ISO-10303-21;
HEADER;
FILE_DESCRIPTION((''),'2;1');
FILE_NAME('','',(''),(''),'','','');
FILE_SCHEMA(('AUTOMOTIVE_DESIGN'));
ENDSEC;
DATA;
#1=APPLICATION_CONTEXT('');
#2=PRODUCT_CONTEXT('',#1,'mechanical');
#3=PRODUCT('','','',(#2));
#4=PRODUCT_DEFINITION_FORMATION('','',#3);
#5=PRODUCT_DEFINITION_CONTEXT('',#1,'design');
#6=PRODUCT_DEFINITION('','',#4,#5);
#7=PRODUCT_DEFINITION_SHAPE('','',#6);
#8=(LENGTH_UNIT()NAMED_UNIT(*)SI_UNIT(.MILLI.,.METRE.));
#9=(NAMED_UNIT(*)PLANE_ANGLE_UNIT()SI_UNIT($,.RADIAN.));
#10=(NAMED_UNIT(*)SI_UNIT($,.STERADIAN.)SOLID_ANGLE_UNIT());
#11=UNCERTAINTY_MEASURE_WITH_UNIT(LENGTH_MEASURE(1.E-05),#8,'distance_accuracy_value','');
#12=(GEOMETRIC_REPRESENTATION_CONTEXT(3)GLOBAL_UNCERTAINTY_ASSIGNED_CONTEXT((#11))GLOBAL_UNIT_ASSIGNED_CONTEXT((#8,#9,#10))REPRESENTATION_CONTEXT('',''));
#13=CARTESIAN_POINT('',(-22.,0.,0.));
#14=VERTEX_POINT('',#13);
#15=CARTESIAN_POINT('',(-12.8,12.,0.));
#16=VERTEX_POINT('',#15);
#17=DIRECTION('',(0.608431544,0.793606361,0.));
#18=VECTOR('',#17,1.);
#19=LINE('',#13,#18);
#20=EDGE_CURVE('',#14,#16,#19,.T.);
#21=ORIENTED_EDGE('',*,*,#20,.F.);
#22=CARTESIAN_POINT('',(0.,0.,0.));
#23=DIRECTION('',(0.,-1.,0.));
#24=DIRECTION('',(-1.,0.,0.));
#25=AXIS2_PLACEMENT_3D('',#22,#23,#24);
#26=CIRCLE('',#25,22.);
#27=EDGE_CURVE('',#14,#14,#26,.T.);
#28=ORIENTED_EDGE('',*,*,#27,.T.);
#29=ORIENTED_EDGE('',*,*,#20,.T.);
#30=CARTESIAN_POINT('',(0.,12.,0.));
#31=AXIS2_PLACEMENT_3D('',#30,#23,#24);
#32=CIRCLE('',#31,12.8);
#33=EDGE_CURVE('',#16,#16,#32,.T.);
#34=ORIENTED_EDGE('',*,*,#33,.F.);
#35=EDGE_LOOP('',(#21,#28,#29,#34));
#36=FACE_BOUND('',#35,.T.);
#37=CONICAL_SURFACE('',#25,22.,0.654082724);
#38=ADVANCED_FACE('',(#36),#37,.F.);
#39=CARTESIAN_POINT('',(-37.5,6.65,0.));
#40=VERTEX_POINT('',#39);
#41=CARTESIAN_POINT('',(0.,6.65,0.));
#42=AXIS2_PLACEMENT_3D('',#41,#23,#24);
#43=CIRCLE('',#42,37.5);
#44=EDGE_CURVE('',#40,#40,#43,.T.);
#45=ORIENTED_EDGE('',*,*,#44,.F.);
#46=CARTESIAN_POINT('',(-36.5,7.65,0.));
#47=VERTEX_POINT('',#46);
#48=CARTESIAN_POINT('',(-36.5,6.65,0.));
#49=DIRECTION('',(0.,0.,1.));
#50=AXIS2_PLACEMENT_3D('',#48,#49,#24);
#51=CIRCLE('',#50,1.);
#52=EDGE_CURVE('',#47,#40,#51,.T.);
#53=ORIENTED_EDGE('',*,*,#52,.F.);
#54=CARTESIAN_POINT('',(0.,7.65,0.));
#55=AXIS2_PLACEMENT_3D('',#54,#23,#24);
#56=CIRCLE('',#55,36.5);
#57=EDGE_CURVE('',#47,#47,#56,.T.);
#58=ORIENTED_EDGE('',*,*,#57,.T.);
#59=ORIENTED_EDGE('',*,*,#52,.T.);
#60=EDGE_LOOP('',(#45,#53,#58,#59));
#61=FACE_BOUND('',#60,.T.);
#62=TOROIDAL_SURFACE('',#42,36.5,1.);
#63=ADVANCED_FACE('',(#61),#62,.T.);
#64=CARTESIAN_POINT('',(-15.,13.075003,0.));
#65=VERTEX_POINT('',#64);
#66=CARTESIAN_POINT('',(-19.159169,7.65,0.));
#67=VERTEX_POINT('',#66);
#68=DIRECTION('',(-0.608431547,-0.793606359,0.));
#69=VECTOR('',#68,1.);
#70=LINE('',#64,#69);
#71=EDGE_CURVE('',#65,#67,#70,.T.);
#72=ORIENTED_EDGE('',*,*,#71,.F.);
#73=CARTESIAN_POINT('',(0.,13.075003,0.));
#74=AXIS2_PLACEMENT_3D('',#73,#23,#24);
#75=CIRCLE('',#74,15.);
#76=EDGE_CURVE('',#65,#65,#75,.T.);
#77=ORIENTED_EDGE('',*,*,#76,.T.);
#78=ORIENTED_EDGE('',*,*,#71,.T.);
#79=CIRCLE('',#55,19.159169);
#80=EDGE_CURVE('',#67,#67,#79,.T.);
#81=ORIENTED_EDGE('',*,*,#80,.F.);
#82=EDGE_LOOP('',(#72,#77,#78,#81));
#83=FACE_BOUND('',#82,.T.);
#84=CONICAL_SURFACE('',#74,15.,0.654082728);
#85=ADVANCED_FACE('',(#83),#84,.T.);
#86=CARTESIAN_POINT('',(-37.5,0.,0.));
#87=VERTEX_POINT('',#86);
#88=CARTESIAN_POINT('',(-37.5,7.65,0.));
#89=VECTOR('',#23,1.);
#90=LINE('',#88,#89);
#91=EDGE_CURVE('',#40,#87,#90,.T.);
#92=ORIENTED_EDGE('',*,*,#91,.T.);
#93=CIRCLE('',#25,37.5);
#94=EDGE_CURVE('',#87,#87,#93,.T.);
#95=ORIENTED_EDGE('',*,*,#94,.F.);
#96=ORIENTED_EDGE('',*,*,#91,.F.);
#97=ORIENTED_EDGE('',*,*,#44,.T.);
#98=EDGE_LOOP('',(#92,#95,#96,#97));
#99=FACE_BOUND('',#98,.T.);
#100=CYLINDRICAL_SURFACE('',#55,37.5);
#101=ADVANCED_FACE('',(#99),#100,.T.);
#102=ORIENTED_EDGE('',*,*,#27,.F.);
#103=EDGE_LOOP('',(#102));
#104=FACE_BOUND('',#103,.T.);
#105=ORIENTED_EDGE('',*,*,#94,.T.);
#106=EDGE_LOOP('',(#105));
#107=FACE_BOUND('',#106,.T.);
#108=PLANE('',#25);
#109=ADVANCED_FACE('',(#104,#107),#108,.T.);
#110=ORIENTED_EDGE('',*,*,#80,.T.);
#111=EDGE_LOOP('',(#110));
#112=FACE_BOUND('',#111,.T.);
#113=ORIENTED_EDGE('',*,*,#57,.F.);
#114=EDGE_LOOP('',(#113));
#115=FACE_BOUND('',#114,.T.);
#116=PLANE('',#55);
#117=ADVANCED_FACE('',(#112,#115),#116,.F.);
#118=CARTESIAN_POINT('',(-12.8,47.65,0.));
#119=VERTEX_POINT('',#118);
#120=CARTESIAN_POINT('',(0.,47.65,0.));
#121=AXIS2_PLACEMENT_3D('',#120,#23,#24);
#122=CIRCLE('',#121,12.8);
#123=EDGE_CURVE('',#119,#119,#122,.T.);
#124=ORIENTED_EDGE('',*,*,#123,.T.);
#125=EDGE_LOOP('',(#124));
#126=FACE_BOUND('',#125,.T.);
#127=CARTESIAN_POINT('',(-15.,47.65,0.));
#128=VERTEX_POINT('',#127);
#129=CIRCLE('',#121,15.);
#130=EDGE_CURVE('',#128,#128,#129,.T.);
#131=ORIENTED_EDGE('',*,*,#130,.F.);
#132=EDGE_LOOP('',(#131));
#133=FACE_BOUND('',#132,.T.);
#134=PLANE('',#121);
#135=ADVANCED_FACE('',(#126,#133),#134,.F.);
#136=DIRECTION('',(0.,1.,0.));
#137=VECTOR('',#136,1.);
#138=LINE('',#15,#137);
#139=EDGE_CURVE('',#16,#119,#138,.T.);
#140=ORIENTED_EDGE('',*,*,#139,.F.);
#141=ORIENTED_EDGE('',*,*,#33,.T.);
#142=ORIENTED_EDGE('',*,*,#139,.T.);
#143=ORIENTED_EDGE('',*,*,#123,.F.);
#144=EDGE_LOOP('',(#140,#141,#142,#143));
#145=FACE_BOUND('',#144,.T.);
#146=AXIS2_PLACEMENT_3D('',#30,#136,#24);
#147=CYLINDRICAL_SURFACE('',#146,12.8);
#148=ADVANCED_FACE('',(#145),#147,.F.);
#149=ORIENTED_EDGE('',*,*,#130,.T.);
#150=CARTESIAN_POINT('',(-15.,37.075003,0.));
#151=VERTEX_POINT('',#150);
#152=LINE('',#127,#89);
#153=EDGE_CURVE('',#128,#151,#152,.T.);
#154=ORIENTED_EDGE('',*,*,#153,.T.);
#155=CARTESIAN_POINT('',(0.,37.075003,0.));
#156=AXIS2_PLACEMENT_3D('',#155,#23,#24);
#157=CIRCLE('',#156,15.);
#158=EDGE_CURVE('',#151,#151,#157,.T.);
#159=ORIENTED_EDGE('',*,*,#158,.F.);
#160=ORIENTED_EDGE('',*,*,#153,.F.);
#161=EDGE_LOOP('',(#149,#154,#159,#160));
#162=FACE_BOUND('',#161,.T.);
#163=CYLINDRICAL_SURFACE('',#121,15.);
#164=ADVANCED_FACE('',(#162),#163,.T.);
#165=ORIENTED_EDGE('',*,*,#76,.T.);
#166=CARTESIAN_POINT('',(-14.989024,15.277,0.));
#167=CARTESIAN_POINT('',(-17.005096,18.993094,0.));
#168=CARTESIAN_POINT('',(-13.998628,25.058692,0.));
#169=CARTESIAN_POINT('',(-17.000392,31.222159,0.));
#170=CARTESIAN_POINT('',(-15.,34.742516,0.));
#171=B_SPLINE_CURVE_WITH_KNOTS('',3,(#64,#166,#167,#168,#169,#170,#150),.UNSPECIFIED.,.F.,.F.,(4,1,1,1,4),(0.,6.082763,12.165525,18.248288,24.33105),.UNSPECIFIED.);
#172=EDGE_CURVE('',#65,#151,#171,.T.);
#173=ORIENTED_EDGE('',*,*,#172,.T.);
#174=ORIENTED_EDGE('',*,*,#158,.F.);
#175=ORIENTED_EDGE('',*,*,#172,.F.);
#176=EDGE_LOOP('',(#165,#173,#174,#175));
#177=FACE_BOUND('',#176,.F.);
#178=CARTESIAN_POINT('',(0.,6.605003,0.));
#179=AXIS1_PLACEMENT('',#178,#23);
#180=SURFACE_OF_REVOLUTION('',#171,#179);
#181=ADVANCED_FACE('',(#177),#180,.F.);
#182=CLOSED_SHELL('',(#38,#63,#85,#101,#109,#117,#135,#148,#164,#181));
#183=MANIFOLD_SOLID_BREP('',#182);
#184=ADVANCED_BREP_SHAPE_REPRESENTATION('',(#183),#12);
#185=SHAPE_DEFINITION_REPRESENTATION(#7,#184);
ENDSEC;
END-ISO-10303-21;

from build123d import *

# Parameters (mm, degrees)
F2_R = 1


with BuildPart() as f1:
    # F0 (on Top) → F1 (revolve)
    with BuildSketch(Plane.XY):
        with BuildLine():
            Line((-37.5, 0), (-22, 0))
            Line((-22, 0), (-12.8, 12))
            Line((-12.8, 12), (-12.8, 47.65))
            Line((-12.8, 47.65), (-15, 47.65))
            Line((-15, 47.65), (-15, 37.075003))
            add(Edge.make_bspline(
                [(-15, 13.075003), (-14.989024, 15.277), (-17.005096, 18.993094), (-13.998628, 25.058692), (-17.000392, 31.222159), (-15, 34.742516), (-15, 37.075003)],
                knots=[0, 0, 0, 0, 6.082763, 12.165525, 18.248288, 24.33105, 24.33105, 24.33105, 24.33105], degree=3))
            Line((-15, 13.075003), (-19.159169, 7.65))
            Line((-19.159169, 7.65), (-37.5, 7.65))
            Line((-37.5, 7.65), (-37.5, 0))
        make_face()
    revolve(axis=Axis((0, 6.605003, 0), (0, -1, 0)))

    # F2
    f2_edges = [f1.edges().sort_by_distance(p)[0] for p in [
        (37.5, 7.65, 0),
    ]]
    fillet(f2_edges, radius=F2_R)


solid = f1.part
